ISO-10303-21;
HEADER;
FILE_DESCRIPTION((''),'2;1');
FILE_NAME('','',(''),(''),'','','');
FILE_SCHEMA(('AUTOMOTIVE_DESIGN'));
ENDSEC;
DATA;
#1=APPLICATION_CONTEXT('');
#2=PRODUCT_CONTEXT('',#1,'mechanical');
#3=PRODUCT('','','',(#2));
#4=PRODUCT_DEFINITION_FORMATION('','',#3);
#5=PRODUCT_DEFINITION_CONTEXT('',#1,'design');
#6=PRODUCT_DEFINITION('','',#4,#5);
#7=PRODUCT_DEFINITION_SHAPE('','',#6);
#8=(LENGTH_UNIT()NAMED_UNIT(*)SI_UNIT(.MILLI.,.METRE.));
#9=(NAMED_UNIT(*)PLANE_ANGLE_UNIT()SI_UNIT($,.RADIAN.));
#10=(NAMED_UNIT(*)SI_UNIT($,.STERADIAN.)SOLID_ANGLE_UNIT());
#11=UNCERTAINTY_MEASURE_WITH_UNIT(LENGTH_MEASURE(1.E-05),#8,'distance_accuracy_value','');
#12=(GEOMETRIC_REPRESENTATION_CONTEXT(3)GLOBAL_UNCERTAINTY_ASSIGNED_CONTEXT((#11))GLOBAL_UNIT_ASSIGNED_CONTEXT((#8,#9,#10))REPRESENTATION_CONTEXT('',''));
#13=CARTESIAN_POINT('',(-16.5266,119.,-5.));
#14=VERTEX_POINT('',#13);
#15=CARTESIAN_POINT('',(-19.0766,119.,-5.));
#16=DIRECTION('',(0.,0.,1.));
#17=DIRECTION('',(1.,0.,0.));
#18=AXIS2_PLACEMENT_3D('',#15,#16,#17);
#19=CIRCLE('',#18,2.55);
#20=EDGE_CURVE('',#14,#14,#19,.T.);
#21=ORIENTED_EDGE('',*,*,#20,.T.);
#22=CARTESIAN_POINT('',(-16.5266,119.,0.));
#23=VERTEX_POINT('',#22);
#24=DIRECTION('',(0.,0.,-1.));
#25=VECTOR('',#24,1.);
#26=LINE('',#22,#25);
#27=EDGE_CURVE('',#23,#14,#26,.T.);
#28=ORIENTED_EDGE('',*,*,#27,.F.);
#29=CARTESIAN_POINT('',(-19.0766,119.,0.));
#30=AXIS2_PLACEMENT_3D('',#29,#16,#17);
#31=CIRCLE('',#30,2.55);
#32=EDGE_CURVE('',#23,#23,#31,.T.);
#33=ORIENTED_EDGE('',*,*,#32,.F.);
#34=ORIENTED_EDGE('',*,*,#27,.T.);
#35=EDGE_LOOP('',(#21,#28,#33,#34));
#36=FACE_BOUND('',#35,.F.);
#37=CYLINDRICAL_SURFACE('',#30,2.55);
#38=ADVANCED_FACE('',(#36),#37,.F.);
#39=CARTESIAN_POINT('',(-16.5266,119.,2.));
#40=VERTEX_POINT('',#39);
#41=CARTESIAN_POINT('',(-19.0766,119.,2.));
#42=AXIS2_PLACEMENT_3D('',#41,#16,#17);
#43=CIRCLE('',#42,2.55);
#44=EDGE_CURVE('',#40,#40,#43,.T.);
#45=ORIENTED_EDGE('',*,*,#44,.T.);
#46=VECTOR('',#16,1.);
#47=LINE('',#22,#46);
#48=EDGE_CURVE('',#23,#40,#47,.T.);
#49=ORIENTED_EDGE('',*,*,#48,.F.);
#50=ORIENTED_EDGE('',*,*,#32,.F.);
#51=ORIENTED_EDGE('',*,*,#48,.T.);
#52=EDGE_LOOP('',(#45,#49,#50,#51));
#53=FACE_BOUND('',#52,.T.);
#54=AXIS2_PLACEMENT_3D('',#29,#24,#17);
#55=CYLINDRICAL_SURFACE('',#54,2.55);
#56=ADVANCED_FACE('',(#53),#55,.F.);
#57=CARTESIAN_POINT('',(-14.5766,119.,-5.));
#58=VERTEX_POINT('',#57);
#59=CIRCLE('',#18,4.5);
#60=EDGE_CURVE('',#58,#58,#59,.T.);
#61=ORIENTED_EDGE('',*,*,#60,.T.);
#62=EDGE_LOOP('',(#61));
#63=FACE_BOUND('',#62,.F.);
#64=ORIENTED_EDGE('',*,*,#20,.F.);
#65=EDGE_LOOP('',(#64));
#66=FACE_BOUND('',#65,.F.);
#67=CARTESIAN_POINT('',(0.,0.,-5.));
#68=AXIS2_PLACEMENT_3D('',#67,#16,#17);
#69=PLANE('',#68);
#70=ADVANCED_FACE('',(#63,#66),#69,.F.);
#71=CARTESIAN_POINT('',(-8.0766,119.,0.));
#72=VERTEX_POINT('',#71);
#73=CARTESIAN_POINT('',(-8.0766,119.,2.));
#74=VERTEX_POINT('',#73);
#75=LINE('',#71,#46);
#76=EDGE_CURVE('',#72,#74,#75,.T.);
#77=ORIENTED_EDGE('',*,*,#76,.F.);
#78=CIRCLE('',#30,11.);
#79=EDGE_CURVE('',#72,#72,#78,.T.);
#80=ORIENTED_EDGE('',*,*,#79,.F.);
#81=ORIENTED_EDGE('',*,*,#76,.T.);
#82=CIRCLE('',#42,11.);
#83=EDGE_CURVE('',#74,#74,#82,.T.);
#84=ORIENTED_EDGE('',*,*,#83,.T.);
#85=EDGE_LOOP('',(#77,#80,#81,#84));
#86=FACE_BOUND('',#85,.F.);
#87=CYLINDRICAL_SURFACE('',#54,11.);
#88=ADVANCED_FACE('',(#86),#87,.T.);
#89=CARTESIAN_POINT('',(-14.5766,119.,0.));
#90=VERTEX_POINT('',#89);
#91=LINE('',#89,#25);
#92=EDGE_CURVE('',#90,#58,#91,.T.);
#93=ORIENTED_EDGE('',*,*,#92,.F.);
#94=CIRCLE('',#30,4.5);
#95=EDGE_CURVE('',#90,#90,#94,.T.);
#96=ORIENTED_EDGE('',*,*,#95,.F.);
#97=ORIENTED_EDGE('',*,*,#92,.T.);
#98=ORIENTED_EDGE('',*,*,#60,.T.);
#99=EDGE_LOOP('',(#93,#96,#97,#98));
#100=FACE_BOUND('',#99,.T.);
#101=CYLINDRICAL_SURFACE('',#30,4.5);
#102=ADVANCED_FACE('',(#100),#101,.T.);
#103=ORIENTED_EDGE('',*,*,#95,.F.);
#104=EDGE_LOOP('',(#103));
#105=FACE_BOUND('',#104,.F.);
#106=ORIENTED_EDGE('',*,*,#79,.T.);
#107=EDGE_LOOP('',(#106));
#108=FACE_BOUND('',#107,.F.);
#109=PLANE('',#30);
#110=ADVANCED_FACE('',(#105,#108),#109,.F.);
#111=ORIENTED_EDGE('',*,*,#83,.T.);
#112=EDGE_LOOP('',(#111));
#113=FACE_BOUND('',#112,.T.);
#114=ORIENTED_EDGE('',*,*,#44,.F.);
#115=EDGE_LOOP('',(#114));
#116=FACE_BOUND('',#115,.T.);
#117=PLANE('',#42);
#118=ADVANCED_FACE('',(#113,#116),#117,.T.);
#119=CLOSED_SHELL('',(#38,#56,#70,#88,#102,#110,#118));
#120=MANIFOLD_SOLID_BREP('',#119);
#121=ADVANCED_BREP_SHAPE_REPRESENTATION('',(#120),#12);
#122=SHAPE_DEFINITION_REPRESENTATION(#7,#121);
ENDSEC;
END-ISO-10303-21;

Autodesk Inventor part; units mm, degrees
ref_plane "YZ Plane" through (0, 0, 0) normal (1, 0, 0) x (0, 1, 0)
ref_plane "XZ Plane" through (0, 0, 0) normal (0, 1, 0) x (-1, 0, 0)
ref_plane "XY Plane" through (0, 0, 0) normal (0, 0, 1) x (1, 0, 0)
ref_plane "Work Plane1" through (0, 0, 0) normal (0, 0, 1) x (1, 0, 0)
sketch "Sketch1" plane through (0, 0, 0) normal (0, 0, 1) x (1, 0, 0)
  circle A0 centre (-19.0766, 119) radius 8 projected
  circle A1 centre (-19.0766, 119) radius 4.5
  circle A2 centre (-19.0766, 119) radius 2.55
  point P0 (0, 0)
  dimension "d0" = 9
  dimension "d1" = 5.1
extrude "Extrusion1" add sketch "Sketch1" against normal blind 5 contours A1
sketch "Sketch2" plane through (-19.0766, 119, 0) normal (0, 0, 1) x (1, 0, 0)
  circle A0 centre (0, 0) radius 2.55 projected
  circle A1 centre (0, 0) radius 11
  point P0 (19.0766, -119)
  dimension "d4" = 22
extrude "Extrusion2" add sketch "Sketch2" along normal blind 2
properties part number "13_Fluorescence_Arm_LEDholder"
